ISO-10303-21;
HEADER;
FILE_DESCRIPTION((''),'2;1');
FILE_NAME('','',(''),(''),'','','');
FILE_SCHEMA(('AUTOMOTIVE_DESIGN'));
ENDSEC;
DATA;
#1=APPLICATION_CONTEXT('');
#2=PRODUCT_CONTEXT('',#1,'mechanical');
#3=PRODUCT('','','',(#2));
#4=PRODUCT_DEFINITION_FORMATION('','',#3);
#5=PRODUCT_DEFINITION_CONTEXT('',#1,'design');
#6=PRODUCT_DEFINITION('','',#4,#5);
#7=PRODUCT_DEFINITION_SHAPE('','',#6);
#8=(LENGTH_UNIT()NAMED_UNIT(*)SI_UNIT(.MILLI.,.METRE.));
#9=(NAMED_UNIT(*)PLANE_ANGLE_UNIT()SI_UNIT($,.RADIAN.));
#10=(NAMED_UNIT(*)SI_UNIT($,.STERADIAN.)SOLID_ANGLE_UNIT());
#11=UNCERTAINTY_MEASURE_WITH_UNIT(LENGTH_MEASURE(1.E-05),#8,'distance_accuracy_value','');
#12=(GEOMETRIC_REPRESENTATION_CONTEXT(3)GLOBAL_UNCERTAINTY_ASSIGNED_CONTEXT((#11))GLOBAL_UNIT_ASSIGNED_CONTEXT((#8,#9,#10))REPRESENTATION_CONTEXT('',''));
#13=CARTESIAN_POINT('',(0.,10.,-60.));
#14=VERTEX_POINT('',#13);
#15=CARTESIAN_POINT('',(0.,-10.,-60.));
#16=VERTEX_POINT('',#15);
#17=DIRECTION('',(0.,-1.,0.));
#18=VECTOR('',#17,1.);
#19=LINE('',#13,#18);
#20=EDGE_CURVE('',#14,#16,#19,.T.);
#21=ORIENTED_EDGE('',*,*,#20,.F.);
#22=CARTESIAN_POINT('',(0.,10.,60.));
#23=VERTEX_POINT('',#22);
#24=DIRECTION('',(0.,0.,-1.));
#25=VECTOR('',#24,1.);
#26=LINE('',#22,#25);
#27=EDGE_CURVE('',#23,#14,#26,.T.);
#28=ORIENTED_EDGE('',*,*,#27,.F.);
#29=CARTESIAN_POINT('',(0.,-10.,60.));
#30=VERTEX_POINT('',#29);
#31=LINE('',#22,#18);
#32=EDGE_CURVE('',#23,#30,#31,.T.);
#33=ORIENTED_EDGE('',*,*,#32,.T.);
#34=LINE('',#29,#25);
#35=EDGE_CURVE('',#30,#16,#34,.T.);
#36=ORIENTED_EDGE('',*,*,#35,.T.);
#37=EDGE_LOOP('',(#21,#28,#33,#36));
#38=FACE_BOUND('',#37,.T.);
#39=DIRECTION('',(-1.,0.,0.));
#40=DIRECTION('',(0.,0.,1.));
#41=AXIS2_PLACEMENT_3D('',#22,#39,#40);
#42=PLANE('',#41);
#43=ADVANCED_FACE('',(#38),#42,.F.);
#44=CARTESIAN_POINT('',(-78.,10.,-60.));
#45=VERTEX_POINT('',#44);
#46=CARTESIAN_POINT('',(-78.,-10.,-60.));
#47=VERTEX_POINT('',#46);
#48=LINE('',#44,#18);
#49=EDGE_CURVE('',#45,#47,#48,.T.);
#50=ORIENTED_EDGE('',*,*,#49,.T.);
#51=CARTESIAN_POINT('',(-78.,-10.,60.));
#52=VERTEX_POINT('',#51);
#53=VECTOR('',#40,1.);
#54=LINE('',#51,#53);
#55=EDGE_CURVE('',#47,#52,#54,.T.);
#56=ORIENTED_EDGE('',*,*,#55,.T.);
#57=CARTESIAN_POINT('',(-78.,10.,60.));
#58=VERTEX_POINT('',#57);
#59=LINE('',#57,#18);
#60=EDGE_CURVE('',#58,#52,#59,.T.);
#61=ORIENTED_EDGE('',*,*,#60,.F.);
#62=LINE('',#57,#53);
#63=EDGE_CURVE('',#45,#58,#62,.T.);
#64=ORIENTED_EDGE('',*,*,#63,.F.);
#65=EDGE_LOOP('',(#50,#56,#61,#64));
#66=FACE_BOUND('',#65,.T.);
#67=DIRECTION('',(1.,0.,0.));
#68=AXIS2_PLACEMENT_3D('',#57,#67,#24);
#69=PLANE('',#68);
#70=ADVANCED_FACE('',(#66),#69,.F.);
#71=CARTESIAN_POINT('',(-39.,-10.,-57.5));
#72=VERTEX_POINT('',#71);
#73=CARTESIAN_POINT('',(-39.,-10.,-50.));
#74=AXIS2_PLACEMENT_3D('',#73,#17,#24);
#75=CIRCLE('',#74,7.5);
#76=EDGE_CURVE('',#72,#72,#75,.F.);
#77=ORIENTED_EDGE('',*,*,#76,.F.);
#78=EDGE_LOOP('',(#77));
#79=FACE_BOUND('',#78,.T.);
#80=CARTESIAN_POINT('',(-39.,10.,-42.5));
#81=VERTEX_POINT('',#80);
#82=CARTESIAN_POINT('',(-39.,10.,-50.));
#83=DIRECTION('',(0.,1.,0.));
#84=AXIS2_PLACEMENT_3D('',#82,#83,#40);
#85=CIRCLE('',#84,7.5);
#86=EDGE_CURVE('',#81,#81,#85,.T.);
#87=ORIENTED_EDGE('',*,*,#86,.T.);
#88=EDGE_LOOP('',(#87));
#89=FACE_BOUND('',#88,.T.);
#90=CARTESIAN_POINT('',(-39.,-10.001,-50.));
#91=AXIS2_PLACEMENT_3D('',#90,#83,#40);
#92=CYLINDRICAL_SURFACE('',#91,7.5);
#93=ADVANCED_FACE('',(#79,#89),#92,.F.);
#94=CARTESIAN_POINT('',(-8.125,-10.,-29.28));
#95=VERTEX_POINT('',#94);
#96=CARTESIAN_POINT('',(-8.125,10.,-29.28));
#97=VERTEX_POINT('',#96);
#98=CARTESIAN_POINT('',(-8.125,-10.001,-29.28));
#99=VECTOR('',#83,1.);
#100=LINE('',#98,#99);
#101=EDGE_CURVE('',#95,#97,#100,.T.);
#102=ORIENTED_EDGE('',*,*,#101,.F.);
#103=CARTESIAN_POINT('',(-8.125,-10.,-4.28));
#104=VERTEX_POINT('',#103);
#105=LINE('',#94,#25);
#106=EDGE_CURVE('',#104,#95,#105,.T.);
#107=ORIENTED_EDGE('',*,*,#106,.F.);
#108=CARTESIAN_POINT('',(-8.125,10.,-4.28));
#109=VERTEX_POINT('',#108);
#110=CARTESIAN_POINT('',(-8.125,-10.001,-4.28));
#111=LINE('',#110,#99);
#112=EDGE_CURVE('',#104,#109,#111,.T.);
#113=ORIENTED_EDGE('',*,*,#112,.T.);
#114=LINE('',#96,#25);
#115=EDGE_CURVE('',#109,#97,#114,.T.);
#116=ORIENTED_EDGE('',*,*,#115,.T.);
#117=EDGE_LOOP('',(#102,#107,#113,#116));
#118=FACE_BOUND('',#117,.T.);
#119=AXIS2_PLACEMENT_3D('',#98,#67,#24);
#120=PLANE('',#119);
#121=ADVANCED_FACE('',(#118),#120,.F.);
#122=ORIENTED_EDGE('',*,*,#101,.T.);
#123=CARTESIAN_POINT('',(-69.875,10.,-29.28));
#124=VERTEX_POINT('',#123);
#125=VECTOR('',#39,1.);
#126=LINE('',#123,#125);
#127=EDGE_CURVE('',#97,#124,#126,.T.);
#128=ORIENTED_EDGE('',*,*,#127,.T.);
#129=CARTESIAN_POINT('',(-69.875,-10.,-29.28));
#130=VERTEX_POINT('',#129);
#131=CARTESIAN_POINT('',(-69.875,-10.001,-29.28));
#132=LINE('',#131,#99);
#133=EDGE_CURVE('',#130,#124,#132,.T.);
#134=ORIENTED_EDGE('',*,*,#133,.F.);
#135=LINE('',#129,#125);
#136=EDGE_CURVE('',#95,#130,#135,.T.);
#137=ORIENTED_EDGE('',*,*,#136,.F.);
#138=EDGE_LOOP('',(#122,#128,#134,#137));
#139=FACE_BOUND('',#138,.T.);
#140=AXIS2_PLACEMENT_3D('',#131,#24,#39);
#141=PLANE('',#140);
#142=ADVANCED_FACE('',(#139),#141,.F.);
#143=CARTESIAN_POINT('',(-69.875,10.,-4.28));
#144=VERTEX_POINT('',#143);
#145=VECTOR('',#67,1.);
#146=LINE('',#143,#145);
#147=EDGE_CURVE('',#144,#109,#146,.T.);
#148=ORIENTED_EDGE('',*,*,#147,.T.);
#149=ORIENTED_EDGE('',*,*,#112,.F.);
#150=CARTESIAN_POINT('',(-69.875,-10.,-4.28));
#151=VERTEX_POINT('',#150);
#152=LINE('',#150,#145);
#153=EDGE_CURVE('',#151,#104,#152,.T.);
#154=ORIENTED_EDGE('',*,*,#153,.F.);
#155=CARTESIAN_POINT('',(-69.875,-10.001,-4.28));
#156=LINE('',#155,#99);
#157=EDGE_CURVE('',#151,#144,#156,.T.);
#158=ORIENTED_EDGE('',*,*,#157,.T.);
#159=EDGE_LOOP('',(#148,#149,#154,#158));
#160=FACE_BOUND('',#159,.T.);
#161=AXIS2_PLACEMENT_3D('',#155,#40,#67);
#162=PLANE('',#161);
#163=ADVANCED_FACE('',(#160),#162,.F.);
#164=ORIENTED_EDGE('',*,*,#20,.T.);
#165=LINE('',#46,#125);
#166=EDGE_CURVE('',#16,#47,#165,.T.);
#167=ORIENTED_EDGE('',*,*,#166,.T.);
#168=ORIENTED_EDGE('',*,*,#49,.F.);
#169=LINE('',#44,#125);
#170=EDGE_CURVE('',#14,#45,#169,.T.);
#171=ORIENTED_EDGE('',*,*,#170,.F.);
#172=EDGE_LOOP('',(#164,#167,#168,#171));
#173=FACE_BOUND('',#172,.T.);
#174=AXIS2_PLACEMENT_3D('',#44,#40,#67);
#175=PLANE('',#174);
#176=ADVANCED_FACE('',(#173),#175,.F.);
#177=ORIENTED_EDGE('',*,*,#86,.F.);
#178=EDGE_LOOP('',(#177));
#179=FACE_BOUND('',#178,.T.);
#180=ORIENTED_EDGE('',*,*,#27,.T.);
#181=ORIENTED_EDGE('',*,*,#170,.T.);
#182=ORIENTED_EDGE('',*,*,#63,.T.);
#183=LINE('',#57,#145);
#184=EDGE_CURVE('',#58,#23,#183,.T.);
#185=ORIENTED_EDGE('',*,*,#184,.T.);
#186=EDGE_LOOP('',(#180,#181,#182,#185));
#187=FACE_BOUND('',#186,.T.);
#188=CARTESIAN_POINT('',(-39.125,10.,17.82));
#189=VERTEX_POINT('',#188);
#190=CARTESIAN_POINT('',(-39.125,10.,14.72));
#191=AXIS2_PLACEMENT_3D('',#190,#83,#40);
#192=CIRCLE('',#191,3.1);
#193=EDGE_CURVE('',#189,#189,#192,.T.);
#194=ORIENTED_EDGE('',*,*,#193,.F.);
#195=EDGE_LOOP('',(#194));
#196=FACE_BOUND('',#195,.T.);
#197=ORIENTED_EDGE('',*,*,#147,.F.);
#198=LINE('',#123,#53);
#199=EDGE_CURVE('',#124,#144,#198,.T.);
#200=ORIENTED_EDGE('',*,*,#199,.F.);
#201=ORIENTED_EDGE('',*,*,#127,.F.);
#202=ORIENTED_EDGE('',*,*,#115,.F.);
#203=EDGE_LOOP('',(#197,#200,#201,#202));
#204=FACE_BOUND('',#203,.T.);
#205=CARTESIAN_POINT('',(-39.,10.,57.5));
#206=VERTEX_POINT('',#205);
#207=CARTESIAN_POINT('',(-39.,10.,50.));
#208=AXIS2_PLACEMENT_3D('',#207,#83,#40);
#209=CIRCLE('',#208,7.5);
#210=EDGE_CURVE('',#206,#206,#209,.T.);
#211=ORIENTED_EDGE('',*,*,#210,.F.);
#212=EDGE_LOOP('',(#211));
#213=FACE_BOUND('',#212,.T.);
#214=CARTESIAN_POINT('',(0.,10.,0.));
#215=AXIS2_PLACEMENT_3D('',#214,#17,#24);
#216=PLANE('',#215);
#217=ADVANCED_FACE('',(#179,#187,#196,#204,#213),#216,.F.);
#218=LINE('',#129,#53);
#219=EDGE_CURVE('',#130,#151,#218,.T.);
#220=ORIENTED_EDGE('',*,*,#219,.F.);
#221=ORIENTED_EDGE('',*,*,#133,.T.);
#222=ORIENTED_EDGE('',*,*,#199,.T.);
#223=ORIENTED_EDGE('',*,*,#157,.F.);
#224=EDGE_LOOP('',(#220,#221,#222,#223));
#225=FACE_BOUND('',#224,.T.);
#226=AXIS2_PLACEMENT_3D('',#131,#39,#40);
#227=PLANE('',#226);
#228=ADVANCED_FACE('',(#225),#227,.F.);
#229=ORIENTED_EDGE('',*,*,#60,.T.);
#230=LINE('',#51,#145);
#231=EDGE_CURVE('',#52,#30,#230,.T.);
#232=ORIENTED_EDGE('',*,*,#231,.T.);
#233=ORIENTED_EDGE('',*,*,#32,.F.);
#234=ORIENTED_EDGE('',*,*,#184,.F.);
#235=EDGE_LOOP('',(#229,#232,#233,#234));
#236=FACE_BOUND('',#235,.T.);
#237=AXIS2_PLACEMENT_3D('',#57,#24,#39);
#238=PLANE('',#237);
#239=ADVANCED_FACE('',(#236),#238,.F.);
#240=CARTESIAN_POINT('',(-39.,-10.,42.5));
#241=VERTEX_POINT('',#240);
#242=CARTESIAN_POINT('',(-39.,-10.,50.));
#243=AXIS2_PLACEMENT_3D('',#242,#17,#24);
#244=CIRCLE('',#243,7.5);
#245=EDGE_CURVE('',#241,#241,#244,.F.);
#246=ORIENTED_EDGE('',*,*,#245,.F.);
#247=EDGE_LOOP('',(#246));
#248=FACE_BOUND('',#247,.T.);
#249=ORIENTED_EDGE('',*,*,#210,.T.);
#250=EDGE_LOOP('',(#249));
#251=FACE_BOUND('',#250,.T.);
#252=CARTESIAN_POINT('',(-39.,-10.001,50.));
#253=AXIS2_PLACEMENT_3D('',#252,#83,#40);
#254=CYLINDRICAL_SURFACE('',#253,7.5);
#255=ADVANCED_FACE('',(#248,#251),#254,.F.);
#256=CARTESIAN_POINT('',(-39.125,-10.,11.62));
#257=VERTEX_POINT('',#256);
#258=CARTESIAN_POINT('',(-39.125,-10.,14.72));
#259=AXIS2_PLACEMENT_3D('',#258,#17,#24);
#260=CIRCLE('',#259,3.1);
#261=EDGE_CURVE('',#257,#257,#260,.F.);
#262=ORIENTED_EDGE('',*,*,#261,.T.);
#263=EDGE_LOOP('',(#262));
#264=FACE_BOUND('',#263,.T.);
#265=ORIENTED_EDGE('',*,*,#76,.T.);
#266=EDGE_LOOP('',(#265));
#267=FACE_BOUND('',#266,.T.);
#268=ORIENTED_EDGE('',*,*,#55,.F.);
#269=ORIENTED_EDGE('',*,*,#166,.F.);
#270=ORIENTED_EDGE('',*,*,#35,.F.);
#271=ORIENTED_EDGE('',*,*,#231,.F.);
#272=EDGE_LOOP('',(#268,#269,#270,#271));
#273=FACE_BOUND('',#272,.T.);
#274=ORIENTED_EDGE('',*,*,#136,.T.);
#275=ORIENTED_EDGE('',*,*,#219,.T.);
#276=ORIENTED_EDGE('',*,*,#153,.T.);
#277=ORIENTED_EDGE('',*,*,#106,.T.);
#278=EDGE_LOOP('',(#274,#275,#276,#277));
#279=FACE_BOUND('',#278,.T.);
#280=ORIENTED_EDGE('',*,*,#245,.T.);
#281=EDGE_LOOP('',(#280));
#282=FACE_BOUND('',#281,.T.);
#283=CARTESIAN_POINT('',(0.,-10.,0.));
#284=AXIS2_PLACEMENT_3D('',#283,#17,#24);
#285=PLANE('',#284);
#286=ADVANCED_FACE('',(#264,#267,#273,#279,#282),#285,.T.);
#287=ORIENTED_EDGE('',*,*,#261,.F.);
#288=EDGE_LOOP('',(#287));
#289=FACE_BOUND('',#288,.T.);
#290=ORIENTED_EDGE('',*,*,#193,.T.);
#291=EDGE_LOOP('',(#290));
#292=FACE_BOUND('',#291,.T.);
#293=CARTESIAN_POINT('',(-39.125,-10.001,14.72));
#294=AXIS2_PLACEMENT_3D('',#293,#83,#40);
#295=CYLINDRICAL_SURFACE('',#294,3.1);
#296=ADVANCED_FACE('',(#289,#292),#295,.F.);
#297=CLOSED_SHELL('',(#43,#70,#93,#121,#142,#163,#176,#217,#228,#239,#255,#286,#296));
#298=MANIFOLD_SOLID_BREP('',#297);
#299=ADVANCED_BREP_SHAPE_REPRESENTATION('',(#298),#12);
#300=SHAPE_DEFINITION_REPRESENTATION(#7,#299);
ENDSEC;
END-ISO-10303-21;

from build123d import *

# Parameters (mm, degrees)
SKETCH1_W           = 78
SKETCH1_H           = 120
BOSS_EXTRUDE1_DEPTH = 10
CUT_EXTRUDE1_REACH  = 102.419
SKETCH2_W           = 61.75
SKETCH2_H           = 25
CUT_EXTRUDE2_REACH  = 102.419
SKETCH3_R           = 7.5
CUT_EXTRUDE3_REACH  = 102.419
SKETCH5_R           = 3.1


with BuildPart() as part:
    # Sketch1 → Boss-Extrude1 (new, symmetric)
    with BuildSketch(Plane(origin=(0, 0, 0), x_dir=(1, 0, 0), z_dir=(0, 1, 0))):
        with Locations((-39, 0)):
            Rectangle(SKETCH1_W, SKETCH1_H)
    extrude(amount=BOSS_EXTRUDE1_DEPTH, both=True)

    # Sketch2 → Cut-Extrude1 (cut, up to next)
    with BuildSketch(Plane(origin=(0, 10, 0), x_dir=(1, 0, 0), z_dir=(0, 1, 0)), mode=Mode.PRIVATE) as cut_extrude1_sk1:
        with Locations((-39, 16.78)):
            Rectangle(SKETCH2_W, SKETCH2_H)
    cut_extrude1_tool1 = extrude(cut_extrude1_sk1.sketch, amount=-CUT_EXTRUDE1_REACH, mode=Mode.PRIVATE) & part.part
    add(cut_extrude1_tool1.solids().sort_by_distance((-39, 10, -16.78))[0], mode=Mode.SUBTRACT)

    # Sketch3 → Cut-Extrude2 (cut, up to next)
    with BuildSketch(Plane(origin=(0, 10, 0), x_dir=(1, 0, 0), z_dir=(0, 1, 0)), mode=Mode.PRIVATE) as cut_extrude2_sk1:
        with Locations(Location((-39, 50, 0), (0, 0, 270))):
            Circle(SKETCH3_R)
    cut_extrude2_tool1 = extrude(cut_extrude2_sk1.sketch, amount=-CUT_EXTRUDE2_REACH, mode=Mode.PRIVATE) & part.part
    # Sketch3 → Cut-Extrude2 (cut, up to next)
    with BuildSketch(Plane(origin=(0, 10, 0), x_dir=(1, 0, 0), z_dir=(0, 1, 0)), mode=Mode.PRIVATE) as cut_extrude2_sk2:
        with Locations(Location((-39, -50, 0), (0, 0, 270))):
            Circle(SKETCH3_R)
    cut_extrude2_tool2 = extrude(cut_extrude2_sk2.sketch, amount=-CUT_EXTRUDE2_REACH, mode=Mode.PRIVATE) & part.part
    add(cut_extrude2_tool1.solids().sort_by_distance((-39, 10, -50))[0], mode=Mode.SUBTRACT)
    add(cut_extrude2_tool2.solids().sort_by_distance((-39, 10, 50))[0], mode=Mode.SUBTRACT)

    # Sketch5 → Cut-Extrude3 (cut, up to next)
    with BuildSketch(Plane(origin=(0, 10, 0), x_dir=(1, 0, 0), z_dir=(0, 1, 0)), mode=Mode.PRIVATE) as cut_extrude3_sk1:
        with Locations(Location((-39.125, -14.72, 0), (0, 0, 270))):
            Circle(SKETCH5_R)
    cut_extrude3_tool1 = extrude(cut_extrude3_sk1.sketch, amount=-CUT_EXTRUDE3_REACH, mode=Mode.PRIVATE) & part.part
    add(cut_extrude3_tool1.solids().sort_by_distance((-39.125, 10, 14.72))[0], mode=Mode.SUBTRACT)


solid = part.part
